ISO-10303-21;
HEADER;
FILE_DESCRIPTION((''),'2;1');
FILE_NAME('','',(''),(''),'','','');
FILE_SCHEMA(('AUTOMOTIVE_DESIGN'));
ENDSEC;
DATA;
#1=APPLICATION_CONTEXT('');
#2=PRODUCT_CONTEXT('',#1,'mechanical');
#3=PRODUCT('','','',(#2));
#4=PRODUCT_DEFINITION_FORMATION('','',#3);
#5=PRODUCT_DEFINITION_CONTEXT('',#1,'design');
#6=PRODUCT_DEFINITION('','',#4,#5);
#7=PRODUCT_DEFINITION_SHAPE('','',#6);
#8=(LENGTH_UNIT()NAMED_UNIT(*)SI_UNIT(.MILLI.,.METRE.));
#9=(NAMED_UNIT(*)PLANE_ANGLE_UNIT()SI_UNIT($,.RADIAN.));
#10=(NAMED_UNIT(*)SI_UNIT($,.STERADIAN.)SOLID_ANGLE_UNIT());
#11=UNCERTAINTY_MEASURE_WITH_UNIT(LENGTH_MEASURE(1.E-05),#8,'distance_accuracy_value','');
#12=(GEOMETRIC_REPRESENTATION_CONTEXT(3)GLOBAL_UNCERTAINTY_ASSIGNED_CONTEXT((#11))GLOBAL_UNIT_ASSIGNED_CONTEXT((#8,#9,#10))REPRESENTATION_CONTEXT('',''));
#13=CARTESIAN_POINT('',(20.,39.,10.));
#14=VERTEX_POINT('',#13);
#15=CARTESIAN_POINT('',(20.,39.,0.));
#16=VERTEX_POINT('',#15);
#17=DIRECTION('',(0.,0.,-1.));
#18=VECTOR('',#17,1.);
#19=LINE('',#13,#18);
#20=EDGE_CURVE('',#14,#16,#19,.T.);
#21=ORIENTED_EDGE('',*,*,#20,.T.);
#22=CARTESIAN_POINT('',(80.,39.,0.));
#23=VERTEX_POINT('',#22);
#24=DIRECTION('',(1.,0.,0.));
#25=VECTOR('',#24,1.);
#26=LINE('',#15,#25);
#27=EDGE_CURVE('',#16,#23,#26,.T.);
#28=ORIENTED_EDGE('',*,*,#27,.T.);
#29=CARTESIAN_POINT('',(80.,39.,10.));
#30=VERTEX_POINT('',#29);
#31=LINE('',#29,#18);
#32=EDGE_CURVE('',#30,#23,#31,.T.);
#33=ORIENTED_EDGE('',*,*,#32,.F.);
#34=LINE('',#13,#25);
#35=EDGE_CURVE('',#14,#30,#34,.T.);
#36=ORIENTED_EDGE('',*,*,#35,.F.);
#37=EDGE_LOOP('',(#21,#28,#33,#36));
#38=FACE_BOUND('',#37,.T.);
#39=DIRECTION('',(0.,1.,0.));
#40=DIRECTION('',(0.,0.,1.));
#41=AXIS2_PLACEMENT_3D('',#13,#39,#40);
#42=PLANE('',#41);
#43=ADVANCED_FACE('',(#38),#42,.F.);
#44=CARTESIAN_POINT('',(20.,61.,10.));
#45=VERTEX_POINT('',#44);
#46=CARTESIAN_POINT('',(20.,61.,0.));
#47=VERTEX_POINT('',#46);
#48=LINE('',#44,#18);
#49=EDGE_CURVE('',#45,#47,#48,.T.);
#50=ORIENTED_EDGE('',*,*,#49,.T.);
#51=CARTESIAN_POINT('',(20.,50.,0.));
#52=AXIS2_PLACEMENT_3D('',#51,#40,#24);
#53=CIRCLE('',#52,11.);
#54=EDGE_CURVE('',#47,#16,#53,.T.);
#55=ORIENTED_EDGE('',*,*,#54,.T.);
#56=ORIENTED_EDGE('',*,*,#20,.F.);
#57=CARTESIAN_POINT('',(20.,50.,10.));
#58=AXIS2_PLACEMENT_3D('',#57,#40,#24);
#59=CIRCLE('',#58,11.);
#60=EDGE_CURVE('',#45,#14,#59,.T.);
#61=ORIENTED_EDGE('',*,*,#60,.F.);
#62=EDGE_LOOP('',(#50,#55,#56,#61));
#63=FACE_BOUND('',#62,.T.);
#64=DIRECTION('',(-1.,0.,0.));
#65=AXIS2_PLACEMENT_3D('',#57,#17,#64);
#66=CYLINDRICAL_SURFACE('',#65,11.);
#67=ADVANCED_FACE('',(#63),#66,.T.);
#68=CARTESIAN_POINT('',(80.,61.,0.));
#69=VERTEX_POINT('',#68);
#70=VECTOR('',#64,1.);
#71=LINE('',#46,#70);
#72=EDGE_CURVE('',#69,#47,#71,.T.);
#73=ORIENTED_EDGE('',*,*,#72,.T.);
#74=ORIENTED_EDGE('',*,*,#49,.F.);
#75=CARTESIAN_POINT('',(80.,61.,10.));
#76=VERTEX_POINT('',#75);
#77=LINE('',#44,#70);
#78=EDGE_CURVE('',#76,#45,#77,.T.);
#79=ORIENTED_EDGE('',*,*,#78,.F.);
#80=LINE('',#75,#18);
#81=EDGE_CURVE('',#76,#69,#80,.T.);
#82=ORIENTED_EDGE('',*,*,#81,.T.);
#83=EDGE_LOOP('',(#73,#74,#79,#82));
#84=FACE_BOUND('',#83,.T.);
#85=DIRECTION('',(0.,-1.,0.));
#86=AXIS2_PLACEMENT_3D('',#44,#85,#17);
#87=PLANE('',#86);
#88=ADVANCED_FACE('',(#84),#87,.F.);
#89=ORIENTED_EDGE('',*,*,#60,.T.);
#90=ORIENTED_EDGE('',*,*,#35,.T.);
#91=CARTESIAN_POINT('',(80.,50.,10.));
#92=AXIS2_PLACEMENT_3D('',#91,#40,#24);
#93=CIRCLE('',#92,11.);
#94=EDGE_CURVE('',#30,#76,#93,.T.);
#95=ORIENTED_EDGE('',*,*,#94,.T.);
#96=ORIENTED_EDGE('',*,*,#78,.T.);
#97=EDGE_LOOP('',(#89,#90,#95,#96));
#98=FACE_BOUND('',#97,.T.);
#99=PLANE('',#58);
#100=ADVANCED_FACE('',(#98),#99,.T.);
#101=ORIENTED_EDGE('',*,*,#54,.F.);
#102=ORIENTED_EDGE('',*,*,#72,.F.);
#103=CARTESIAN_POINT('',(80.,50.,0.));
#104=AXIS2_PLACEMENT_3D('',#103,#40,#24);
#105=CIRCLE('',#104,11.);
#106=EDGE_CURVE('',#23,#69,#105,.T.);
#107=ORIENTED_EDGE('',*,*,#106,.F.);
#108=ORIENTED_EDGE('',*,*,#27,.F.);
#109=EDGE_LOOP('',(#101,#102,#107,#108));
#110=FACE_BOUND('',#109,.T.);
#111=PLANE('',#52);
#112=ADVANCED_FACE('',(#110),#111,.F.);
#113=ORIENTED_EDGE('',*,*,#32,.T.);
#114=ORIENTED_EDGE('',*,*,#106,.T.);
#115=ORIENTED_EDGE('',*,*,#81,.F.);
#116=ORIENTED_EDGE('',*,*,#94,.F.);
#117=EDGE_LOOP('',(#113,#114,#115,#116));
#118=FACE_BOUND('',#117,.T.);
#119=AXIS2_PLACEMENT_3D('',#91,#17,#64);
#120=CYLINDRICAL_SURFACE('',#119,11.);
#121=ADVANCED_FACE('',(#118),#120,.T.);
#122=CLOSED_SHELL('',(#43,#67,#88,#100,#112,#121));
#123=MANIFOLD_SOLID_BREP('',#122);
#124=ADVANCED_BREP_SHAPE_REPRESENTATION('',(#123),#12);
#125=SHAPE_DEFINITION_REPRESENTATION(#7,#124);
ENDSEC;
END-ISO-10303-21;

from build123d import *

# Parameters (mm, degrees)
ROCKERLINK_DEPTH = 10


with BuildPart() as part:
    # 草图3 → RockerLink (new body)
    with BuildSketch(Plane.XY):
        with BuildLine():
            Line((20, 61), (80, 61))
            ThreePointArc((80, 61), (91, 50), (80, 39))
            Line((80, 39), (20, 39))
            ThreePointArc((20, 39), (9, 50), (20, 61))
        make_face()
    extrude(amount=ROCKERLINK_DEPTH)


solid = part.part
